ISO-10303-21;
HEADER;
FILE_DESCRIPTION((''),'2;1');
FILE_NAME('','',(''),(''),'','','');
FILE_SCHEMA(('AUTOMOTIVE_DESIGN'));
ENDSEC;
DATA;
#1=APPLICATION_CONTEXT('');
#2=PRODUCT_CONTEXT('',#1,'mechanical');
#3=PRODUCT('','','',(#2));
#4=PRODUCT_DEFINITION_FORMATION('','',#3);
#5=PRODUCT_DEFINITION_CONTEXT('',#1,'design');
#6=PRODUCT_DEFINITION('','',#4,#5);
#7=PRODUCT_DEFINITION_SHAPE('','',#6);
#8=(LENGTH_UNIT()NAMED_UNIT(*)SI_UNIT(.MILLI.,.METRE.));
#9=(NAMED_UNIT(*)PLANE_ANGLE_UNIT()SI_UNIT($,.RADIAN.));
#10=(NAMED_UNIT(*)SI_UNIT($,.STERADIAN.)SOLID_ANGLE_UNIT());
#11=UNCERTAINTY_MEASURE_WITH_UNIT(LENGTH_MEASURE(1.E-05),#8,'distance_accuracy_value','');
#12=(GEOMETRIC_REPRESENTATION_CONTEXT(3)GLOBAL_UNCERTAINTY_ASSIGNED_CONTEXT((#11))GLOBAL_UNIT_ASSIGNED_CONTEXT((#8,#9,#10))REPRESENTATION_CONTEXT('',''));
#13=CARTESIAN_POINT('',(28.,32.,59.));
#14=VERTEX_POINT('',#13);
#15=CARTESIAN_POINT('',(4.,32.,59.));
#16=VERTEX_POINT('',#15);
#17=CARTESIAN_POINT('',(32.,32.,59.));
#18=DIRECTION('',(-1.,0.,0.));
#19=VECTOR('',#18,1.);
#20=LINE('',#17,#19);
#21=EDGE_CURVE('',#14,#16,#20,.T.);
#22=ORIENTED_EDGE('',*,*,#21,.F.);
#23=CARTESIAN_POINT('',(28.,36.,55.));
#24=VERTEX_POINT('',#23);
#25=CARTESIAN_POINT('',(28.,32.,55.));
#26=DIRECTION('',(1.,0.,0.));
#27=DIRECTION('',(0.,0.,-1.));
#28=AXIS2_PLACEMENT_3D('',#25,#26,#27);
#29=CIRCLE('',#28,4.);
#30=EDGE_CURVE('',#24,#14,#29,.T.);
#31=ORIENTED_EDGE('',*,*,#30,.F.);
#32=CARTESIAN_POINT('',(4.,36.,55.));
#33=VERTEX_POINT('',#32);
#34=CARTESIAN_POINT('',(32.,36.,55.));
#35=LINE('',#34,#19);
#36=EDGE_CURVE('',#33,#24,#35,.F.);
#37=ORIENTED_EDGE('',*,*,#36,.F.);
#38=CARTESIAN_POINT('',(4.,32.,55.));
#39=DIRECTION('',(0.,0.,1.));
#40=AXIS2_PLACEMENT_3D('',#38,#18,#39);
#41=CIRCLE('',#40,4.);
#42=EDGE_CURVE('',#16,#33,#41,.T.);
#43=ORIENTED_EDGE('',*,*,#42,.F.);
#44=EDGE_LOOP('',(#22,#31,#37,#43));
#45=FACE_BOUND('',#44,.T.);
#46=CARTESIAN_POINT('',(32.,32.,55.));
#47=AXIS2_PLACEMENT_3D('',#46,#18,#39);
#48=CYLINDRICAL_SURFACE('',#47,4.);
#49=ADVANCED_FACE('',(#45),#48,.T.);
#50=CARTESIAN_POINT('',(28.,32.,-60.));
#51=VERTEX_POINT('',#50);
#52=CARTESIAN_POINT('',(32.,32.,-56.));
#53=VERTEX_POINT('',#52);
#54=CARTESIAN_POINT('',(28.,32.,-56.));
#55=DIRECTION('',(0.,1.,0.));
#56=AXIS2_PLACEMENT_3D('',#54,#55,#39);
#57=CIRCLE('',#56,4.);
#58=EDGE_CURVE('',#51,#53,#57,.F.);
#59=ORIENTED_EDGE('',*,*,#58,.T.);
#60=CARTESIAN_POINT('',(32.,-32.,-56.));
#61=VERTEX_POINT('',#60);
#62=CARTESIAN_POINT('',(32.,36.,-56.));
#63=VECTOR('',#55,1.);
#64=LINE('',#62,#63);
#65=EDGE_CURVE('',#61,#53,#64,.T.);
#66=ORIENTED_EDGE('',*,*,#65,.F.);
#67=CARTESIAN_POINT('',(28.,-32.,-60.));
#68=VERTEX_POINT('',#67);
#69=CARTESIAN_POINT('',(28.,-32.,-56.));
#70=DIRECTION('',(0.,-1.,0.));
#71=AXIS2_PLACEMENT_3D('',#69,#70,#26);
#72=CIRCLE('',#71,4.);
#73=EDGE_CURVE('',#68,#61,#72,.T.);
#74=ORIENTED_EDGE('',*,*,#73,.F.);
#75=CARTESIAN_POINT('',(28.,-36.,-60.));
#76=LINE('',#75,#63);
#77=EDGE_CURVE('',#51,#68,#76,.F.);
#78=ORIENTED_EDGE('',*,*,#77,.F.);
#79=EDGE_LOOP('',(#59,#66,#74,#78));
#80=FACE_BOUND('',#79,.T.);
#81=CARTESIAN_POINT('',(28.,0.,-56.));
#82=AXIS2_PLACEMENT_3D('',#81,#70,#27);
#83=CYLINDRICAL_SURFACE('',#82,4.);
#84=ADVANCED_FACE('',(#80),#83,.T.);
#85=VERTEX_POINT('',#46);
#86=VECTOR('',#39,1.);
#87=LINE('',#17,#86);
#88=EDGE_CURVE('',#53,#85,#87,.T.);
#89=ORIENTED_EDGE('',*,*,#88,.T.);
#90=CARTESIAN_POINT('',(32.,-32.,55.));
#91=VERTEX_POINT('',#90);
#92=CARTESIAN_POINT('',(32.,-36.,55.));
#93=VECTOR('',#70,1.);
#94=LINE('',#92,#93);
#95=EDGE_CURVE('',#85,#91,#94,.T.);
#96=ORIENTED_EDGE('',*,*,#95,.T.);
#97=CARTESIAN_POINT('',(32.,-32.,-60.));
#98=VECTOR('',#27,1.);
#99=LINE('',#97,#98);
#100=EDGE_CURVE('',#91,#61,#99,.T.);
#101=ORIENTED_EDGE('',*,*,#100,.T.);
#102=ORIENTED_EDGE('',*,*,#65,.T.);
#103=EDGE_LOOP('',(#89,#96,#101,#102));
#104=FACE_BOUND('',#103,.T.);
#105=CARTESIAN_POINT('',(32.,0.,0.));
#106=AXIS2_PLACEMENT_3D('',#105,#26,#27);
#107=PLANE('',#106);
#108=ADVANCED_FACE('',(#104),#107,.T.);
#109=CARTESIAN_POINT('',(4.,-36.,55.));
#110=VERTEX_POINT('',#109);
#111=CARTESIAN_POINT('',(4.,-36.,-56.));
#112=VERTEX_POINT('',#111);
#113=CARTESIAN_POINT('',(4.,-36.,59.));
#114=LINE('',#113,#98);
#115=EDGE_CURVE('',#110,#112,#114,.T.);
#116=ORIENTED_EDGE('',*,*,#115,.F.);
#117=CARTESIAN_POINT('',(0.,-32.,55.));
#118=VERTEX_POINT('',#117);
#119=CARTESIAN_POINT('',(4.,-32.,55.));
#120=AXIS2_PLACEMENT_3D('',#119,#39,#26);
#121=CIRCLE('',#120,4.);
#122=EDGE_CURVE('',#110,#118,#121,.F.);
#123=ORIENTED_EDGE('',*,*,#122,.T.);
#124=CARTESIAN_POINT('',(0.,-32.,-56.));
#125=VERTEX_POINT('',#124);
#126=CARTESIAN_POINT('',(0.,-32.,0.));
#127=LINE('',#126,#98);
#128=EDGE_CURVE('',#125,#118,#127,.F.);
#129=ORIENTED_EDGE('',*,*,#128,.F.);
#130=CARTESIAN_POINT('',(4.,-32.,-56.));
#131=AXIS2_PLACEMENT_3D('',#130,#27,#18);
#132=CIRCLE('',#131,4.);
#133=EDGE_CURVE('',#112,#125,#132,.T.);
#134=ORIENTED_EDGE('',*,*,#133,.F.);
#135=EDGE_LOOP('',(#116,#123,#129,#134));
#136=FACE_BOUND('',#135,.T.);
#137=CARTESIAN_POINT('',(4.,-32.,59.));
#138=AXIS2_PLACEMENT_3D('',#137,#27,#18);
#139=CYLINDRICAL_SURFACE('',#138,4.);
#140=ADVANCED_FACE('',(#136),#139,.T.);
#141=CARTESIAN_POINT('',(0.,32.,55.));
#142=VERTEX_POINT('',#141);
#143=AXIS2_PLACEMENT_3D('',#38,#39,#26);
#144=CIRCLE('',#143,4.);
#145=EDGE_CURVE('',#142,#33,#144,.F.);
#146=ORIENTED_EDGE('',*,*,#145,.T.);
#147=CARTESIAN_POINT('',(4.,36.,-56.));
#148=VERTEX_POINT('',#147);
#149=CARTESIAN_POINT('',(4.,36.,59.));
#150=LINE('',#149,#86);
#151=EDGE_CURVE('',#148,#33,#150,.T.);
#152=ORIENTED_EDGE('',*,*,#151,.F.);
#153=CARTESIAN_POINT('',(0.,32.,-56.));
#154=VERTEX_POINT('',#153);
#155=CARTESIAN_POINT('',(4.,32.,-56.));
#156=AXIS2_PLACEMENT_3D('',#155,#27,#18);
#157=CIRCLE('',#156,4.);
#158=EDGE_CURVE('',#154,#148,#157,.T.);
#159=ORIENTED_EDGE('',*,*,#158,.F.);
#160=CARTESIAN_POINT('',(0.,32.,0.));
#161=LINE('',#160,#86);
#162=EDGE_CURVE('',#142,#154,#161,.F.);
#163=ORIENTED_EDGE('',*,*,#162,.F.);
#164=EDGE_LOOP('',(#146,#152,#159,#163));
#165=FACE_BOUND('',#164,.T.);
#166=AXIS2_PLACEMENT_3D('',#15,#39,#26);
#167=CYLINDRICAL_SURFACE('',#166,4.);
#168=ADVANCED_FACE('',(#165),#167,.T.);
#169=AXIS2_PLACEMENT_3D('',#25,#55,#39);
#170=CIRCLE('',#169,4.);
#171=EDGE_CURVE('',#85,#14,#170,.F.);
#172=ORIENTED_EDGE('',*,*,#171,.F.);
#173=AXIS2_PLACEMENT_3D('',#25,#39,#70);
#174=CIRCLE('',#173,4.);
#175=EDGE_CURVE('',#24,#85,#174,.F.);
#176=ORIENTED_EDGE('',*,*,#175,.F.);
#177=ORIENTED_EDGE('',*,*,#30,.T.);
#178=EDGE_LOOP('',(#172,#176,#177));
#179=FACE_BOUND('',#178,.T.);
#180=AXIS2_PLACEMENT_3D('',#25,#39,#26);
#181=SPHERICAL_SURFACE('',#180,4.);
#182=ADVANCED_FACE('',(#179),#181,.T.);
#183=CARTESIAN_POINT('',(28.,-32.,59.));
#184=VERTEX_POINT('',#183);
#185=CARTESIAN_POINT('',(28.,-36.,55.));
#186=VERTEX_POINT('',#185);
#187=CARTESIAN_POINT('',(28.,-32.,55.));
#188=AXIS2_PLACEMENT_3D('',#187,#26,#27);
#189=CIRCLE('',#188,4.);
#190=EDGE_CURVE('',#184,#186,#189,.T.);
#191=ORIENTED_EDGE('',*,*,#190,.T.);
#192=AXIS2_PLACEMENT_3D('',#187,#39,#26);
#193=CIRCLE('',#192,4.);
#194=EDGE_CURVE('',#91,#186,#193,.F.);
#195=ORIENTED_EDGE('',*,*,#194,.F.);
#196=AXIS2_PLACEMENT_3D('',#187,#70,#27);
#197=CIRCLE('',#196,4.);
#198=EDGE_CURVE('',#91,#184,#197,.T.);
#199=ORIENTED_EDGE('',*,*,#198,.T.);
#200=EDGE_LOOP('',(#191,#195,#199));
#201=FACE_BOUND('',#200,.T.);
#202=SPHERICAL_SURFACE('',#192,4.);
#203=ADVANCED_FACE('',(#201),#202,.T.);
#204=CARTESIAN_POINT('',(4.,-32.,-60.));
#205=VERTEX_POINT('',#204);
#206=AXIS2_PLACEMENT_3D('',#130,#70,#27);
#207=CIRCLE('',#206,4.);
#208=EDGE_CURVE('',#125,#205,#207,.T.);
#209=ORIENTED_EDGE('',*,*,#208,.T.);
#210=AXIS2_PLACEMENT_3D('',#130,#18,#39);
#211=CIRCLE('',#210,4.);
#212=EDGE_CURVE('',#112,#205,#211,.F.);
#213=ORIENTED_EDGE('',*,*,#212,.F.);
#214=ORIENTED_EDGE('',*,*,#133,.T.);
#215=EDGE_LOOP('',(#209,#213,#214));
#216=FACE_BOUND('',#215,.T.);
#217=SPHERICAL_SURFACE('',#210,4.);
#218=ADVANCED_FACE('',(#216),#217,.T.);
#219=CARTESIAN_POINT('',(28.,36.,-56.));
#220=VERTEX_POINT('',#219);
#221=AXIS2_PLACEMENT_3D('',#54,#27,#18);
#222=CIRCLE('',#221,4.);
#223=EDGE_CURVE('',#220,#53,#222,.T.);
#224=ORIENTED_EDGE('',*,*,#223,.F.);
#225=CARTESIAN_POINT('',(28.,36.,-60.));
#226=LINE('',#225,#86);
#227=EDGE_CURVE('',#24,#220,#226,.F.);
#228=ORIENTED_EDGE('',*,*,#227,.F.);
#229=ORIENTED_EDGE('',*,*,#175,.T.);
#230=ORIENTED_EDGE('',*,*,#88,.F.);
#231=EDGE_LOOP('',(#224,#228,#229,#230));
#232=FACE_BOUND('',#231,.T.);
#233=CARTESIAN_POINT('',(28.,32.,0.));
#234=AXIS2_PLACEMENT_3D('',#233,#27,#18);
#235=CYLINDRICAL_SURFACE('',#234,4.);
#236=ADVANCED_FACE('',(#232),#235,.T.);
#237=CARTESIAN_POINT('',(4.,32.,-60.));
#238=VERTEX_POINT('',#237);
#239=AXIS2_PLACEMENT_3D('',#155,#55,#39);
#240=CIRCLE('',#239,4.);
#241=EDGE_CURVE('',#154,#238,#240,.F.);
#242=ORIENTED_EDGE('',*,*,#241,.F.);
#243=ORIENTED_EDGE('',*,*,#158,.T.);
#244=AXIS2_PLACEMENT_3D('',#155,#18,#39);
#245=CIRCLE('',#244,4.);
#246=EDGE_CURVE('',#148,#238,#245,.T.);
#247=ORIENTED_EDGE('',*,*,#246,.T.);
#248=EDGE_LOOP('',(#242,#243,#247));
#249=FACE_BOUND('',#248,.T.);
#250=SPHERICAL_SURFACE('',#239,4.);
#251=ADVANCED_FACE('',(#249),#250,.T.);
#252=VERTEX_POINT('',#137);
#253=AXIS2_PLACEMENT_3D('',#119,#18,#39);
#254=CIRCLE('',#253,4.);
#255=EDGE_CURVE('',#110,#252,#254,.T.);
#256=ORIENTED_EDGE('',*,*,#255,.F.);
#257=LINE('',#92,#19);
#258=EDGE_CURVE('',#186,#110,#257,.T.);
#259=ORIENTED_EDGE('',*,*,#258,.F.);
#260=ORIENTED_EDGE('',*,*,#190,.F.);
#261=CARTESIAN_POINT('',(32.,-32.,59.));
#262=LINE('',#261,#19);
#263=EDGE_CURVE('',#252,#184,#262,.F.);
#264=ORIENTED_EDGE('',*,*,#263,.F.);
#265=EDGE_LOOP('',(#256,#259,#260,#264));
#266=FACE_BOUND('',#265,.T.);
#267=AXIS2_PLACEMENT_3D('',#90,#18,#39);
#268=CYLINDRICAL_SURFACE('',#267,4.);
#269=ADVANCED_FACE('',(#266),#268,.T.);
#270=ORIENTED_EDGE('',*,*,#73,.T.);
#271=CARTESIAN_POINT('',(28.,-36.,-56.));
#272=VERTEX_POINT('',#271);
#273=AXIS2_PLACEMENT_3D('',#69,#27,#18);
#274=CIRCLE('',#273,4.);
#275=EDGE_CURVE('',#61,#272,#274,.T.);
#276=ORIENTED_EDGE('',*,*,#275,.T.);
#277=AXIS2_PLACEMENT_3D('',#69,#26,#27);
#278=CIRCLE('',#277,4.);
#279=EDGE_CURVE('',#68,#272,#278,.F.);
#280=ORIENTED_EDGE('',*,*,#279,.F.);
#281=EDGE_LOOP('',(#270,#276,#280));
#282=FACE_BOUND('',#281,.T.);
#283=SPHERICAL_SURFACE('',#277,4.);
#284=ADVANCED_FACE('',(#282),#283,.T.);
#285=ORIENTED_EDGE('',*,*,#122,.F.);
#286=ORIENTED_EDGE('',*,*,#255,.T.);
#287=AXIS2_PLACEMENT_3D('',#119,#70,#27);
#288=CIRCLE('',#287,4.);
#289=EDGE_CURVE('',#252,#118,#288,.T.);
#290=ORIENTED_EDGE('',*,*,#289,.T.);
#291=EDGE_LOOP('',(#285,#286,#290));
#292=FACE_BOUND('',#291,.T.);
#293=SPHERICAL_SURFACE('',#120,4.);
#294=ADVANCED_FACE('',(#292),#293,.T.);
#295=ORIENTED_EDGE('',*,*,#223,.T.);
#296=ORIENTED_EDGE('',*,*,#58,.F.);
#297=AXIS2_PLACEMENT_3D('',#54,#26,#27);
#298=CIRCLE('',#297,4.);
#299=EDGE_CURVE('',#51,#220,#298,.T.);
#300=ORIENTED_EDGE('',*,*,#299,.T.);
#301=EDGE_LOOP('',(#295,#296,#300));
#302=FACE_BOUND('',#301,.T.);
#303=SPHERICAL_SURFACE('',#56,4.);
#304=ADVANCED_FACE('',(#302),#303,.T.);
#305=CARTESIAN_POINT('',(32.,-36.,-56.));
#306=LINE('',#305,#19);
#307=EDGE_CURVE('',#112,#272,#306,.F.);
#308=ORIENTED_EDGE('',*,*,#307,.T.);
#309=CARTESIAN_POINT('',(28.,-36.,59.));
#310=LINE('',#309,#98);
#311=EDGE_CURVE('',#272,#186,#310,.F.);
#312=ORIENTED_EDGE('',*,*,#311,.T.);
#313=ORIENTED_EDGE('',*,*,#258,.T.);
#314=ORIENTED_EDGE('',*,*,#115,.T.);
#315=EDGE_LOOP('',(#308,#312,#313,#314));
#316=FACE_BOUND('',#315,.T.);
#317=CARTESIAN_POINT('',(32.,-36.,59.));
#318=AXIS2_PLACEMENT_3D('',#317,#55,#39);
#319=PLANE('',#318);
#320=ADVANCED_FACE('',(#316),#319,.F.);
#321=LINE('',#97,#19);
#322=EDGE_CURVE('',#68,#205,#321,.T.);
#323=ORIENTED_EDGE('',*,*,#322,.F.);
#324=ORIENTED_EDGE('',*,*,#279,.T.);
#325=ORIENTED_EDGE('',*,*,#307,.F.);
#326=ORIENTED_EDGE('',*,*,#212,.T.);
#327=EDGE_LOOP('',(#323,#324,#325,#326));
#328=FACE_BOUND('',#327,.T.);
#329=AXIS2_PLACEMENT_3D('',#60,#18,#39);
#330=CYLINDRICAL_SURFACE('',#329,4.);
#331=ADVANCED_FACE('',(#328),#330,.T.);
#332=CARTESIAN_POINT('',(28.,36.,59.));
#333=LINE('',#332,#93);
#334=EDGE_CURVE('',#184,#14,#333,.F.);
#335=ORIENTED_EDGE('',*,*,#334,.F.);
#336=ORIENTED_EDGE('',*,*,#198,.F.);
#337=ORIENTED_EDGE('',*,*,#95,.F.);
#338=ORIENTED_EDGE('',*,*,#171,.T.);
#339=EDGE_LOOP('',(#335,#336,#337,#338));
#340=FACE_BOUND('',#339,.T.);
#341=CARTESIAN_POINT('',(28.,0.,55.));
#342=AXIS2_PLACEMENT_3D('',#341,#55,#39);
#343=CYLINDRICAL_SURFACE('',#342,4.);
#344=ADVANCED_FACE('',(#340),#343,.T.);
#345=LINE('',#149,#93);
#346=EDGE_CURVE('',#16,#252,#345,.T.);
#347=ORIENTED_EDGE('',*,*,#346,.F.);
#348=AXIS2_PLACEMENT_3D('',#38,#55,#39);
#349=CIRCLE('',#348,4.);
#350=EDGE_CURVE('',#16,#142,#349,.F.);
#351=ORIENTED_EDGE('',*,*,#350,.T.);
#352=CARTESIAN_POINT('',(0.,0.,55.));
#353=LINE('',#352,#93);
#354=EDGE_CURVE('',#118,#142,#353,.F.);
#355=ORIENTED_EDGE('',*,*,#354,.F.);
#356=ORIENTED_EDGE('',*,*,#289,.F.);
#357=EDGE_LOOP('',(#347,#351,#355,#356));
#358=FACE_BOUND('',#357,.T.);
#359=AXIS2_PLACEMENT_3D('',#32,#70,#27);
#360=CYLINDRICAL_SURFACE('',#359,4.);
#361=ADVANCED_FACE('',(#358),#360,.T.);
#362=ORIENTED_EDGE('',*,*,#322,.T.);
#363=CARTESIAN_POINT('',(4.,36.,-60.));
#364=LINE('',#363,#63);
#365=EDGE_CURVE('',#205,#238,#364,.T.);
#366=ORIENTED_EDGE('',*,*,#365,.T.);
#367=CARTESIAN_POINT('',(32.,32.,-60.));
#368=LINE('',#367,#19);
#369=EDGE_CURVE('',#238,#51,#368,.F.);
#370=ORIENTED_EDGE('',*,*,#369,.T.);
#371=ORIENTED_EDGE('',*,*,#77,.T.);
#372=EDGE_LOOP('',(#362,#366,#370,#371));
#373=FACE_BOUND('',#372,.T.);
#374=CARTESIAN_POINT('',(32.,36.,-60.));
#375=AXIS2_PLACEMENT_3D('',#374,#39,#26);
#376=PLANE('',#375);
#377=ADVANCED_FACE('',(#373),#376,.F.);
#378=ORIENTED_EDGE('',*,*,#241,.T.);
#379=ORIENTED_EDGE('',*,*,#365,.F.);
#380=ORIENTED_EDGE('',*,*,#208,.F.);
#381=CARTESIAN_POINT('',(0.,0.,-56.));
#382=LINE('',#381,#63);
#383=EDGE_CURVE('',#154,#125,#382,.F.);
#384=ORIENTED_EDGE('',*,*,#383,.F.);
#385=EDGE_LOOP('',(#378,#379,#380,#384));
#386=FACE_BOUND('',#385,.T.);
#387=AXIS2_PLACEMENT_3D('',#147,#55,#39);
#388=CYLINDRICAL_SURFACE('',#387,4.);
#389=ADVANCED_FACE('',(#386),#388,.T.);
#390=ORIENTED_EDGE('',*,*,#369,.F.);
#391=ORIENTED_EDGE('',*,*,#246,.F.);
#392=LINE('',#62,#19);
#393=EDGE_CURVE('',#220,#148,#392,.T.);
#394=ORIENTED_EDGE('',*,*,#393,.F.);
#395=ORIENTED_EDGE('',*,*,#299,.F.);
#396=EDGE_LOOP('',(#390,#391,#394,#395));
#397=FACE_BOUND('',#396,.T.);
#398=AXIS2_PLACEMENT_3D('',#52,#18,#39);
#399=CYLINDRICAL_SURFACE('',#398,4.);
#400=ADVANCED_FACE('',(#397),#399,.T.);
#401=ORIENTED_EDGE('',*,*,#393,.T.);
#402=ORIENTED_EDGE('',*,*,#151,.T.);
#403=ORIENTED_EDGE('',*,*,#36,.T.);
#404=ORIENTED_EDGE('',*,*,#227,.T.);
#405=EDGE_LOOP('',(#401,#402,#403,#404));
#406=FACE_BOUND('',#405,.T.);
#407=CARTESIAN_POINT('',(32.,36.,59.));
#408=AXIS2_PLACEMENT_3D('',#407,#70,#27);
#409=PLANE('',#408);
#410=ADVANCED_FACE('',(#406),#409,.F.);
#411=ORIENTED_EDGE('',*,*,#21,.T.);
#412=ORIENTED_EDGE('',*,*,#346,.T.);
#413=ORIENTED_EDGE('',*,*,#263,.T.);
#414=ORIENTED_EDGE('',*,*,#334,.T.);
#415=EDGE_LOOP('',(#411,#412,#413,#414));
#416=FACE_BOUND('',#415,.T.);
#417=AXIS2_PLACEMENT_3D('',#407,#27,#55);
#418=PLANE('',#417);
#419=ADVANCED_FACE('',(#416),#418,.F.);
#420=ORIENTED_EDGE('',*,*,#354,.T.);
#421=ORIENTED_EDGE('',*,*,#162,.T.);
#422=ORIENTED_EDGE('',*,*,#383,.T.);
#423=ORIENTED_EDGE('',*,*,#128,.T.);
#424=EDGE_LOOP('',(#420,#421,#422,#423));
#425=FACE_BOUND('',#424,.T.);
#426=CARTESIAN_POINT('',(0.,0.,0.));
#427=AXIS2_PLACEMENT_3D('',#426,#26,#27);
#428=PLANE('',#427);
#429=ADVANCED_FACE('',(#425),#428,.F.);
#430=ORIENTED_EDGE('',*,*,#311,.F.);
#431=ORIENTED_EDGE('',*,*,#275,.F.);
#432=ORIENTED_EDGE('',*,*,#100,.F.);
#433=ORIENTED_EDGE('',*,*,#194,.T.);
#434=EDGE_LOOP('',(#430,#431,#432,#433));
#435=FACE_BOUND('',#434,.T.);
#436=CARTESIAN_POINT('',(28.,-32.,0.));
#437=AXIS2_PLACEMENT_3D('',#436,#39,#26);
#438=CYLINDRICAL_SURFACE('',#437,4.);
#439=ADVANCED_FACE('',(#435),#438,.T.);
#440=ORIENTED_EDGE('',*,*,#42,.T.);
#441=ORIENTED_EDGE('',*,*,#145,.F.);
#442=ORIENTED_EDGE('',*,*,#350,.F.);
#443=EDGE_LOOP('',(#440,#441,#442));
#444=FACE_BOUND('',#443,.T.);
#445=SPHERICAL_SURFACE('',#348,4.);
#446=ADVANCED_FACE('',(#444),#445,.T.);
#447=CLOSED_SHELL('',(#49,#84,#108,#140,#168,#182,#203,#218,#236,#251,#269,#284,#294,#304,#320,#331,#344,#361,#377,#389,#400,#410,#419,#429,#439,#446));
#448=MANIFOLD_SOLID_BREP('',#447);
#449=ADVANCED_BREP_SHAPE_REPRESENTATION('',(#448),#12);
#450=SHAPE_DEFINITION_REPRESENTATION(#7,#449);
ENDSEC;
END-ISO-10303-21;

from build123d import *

# Parameters (mm, degrees)
SKETCH_1_W      = 119
SKETCH_1_H      = 72
EXTRUDE_1_DEPTH = 32
FILLET_1_R      = 4


with BuildPart() as part:
    # 草图1 → 凸台-拉伸1 (new body)
    with BuildSketch(Plane(origin=(0, 0, 0), x_dir=(0, 0, -1), z_dir=(1, 0, 0))):
        with Locations((0.5, 0)):
            Rectangle(SKETCH_1_W, SKETCH_1_H)
    extrude(amount=EXTRUDE_1_DEPTH)

    # 圆角1
    fillet_1_edges = [part.edges().sort_by_distance(p)[0] for p in [
        (32, 0, -60),
        (32, 36, -0.5),
        (32, 0, 59),
        (0, 36, -0.5),
        (0, 0, -60),
        (0, -36, -0.5),
        (0, 0, 59),
        (16, 36, 59),
        (16, 36, -60),
        (16, -36, -60),
        (16, -36, 59),
        (32, -36, -0.5),
    ]]
    fillet(fillet_1_edges, radius=FILLET_1_R)


solid = part.part
